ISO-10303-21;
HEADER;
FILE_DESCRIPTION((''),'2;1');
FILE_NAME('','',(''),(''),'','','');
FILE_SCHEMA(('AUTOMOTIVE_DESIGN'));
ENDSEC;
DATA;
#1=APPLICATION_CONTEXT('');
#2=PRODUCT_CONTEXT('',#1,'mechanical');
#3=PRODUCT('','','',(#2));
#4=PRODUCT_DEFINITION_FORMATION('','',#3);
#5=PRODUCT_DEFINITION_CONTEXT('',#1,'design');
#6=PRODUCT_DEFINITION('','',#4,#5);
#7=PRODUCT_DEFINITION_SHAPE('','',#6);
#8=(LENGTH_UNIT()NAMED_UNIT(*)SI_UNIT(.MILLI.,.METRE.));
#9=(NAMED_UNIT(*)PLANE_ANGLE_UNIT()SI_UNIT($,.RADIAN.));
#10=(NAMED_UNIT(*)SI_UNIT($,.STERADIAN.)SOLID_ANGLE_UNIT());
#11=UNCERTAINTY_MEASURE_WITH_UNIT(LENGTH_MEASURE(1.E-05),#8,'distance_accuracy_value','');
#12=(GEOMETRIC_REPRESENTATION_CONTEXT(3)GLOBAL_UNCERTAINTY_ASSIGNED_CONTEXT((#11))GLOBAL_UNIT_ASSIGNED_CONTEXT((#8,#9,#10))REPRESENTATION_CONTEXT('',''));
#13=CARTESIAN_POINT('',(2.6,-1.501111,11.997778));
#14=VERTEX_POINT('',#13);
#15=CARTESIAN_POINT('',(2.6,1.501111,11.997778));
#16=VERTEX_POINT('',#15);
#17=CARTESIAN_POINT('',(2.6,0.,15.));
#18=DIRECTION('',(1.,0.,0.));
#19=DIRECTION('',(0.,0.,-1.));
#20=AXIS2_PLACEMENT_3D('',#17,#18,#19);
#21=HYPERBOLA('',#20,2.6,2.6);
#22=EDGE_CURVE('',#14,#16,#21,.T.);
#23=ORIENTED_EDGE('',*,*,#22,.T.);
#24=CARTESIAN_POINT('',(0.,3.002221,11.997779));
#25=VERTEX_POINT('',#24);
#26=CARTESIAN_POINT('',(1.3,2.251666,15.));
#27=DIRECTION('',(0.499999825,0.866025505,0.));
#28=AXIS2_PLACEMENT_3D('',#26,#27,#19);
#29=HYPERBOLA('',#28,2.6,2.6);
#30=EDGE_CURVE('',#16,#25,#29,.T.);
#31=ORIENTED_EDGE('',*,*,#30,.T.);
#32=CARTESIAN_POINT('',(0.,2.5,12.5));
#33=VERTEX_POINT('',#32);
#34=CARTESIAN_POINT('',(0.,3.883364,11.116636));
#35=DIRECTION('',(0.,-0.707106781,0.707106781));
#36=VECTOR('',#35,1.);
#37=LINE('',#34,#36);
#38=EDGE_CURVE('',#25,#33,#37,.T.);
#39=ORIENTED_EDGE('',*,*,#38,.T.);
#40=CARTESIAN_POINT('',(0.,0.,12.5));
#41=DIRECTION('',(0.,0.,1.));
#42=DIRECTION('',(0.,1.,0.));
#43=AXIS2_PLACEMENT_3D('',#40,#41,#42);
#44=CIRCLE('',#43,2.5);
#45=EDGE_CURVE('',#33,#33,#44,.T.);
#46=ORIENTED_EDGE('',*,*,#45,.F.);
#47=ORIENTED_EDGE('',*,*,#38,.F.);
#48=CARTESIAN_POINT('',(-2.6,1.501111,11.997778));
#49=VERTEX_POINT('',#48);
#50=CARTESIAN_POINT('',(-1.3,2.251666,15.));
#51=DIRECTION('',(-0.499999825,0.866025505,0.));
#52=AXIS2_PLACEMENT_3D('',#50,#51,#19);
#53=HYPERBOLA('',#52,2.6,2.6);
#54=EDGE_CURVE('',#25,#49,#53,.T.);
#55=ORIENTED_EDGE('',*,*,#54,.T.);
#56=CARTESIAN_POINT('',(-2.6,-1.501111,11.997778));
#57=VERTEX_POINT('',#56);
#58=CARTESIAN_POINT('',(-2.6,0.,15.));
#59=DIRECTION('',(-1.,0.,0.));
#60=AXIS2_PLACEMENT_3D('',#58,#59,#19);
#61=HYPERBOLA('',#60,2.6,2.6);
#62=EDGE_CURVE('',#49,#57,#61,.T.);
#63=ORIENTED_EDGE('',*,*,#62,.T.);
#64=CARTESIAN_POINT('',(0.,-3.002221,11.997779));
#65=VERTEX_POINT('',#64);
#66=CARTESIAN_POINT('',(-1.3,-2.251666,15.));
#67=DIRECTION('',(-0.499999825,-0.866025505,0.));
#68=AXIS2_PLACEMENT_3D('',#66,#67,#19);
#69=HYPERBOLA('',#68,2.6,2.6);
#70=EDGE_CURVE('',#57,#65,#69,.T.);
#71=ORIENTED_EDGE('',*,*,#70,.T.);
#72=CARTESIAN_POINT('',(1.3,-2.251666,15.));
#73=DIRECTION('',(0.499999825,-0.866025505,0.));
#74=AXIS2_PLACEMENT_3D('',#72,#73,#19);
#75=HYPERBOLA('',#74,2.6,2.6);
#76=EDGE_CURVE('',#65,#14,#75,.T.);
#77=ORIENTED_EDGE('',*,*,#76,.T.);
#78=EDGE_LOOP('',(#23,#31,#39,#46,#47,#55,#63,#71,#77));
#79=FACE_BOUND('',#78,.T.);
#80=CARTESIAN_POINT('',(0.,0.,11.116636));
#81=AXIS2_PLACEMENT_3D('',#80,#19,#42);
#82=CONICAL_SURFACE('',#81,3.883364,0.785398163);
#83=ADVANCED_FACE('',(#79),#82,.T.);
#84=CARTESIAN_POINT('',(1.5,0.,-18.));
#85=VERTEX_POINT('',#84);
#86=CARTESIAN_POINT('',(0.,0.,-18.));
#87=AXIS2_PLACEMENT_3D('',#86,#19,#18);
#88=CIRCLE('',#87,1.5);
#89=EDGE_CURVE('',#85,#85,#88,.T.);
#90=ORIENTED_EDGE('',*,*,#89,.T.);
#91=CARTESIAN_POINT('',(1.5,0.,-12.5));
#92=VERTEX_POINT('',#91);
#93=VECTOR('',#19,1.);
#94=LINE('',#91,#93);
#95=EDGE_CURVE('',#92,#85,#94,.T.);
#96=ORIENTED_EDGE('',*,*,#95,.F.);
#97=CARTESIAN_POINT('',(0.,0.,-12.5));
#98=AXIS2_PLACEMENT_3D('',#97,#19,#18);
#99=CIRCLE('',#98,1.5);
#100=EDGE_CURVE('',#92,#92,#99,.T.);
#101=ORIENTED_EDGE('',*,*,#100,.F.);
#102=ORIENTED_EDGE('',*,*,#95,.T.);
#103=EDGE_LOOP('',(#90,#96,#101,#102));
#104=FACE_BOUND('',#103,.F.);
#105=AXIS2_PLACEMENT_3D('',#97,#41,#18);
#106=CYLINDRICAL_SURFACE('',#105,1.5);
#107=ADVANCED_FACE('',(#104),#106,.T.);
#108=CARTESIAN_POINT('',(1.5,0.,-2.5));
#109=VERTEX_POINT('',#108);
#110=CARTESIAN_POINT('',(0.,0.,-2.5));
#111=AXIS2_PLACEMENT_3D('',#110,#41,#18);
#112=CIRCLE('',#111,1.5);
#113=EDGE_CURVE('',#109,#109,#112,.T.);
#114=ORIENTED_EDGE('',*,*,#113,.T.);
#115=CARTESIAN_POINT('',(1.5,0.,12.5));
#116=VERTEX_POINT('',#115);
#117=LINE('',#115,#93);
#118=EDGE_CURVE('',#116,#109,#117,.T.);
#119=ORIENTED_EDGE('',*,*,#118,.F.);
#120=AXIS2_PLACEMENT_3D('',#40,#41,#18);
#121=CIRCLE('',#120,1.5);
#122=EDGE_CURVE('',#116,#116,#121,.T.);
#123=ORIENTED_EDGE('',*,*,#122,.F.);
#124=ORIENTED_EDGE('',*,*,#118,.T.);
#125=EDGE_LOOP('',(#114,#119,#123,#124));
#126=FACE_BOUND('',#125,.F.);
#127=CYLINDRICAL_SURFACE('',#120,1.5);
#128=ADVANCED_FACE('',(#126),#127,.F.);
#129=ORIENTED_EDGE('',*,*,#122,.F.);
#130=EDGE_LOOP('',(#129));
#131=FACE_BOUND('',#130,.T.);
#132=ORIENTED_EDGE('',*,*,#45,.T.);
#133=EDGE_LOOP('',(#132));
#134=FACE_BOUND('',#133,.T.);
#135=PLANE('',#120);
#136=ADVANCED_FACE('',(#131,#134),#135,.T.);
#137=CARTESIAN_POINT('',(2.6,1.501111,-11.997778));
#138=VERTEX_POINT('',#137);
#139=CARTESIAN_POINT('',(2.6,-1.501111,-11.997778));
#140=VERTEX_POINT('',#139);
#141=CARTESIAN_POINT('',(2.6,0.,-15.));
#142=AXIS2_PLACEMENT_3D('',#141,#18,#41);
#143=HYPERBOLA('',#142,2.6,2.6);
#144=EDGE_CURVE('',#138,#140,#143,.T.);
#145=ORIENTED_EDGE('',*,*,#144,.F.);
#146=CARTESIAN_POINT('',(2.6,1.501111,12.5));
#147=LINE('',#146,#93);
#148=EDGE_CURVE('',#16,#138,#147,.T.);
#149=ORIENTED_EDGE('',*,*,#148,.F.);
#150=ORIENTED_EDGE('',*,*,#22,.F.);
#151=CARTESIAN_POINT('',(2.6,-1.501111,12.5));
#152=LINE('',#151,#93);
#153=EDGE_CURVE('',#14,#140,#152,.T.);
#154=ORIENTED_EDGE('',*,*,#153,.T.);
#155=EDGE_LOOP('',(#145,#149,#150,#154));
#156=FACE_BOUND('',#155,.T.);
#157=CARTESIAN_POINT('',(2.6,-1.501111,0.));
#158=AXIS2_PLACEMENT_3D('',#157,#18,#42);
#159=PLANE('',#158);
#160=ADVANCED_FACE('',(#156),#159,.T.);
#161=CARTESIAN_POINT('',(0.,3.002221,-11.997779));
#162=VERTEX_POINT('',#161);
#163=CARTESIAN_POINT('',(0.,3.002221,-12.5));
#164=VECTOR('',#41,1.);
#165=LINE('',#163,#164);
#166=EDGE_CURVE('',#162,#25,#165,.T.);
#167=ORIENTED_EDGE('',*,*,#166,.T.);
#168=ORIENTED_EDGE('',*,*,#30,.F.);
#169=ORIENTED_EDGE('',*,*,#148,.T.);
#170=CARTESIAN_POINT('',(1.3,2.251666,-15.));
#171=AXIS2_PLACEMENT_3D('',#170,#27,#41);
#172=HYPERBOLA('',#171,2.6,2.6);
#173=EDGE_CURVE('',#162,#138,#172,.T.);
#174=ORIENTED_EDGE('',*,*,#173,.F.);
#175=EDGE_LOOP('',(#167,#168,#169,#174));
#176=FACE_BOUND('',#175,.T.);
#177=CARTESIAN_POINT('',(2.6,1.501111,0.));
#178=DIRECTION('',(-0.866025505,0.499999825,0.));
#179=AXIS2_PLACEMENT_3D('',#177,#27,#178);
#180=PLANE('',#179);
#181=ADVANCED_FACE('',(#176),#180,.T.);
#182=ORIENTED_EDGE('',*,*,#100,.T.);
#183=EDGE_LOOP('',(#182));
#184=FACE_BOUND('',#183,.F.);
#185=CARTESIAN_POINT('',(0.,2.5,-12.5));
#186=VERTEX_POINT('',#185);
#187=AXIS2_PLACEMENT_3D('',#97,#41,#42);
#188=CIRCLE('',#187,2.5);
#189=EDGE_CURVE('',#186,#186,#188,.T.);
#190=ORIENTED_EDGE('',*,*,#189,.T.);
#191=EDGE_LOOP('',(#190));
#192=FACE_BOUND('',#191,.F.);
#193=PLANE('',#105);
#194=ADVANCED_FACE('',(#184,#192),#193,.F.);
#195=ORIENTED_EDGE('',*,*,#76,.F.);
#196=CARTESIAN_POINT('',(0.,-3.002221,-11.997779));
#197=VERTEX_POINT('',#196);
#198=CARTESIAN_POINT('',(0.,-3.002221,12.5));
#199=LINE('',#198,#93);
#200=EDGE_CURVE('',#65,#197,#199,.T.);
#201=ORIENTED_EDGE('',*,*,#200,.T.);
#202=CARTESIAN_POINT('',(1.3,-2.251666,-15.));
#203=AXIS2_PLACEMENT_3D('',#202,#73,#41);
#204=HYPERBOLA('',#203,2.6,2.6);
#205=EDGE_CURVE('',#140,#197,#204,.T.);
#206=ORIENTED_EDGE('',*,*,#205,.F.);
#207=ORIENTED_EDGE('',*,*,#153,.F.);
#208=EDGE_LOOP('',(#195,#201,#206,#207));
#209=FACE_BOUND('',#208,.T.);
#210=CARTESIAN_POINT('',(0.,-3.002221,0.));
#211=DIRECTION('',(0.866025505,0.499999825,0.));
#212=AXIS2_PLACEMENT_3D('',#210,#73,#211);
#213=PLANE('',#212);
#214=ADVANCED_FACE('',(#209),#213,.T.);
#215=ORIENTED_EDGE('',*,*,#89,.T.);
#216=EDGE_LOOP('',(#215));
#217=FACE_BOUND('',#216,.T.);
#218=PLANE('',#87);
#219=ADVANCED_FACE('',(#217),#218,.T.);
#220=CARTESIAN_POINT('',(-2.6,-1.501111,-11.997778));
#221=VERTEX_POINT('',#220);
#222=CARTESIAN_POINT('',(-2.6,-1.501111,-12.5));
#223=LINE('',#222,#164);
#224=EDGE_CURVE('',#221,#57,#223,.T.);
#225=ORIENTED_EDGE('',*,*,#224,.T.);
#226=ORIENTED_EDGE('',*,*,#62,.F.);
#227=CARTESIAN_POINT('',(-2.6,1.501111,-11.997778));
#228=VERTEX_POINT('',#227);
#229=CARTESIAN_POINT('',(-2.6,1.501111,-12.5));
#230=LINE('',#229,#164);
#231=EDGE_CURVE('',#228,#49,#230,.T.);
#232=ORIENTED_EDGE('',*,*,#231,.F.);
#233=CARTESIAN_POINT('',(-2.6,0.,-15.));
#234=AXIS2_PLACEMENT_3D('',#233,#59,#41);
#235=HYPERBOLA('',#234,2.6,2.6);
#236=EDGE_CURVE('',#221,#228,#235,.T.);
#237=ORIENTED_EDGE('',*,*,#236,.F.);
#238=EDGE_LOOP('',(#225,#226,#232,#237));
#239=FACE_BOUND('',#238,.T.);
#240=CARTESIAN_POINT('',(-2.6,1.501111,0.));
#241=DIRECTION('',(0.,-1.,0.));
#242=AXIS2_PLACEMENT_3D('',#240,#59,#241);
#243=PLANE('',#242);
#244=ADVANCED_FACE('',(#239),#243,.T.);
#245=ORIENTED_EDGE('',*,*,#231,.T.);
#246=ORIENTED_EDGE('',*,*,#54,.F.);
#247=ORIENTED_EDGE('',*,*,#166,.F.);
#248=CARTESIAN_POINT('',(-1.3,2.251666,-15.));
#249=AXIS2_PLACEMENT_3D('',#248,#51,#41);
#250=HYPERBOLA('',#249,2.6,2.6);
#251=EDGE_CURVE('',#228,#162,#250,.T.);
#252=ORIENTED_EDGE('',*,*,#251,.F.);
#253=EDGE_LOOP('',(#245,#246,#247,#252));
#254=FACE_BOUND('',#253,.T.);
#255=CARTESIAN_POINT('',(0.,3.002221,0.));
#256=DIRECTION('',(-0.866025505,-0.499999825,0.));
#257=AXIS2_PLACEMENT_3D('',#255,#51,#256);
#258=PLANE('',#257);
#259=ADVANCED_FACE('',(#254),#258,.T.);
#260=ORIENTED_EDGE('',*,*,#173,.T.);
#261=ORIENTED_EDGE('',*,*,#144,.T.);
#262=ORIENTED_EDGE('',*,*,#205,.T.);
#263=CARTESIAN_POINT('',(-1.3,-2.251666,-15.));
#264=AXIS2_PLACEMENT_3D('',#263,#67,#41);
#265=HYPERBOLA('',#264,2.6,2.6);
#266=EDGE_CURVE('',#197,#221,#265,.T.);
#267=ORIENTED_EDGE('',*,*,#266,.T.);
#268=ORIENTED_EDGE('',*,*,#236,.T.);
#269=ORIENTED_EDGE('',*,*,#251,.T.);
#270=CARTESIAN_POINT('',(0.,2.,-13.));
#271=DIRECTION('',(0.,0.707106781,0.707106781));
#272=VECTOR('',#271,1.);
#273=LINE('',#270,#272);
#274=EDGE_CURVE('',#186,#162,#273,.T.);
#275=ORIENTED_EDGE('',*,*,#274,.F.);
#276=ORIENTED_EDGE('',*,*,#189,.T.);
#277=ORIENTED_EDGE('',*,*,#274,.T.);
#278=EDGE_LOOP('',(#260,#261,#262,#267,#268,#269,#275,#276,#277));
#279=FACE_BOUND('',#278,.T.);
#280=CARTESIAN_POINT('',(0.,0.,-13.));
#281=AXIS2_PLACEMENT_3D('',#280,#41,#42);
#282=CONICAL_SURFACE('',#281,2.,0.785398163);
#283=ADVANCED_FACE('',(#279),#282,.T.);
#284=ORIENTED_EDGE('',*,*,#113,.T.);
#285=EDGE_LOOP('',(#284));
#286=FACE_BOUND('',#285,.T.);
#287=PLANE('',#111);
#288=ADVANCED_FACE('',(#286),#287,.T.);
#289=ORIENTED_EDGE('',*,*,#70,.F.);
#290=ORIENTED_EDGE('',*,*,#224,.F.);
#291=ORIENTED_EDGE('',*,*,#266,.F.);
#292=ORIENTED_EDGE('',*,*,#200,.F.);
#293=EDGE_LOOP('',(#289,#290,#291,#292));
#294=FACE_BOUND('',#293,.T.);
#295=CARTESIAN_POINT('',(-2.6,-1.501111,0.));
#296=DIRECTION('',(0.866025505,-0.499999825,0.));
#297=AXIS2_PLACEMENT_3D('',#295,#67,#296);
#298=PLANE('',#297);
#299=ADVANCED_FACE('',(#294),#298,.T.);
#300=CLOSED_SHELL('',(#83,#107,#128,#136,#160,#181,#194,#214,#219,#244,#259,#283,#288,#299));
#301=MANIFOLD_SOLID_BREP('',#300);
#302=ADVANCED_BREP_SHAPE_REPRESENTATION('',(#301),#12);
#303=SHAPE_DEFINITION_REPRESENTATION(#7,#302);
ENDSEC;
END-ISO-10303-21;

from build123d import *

# Parameters (mm, degrees)
PAD_DEPTH    = 12.5
SKETCH001_R  = 1.5
POCKET_DEPTH = 15
SKETCH002_R  = 1.5
PAD001_DEPTH = 5.5


with BuildPart() as body001:
    # Sketch003 → Revolution (revolve)
    with BuildSketch(Plane.YZ):
        Polygon((2, 13), (5, 13), (5, -13), (2, -13), (3.883364, -11.116636), (3.883364, 11.116636), align=None)
    revolve(axis=Axis((0, 0, 0), (0, 0, 1)))


with BuildPart() as cut:
    # Sketch → Pad (new body, symmetric)
    with BuildSketch(Plane.XY):
        Polygon((2.6, 1.501111), (0, 3.002221), (-2.6, 1.501111), (-2.6, -1.501111), (0, -3.002221), (2.6, -1.501111), align=None)
    extrude(amount=PAD_DEPTH, both=True)

    # Sketch001 (on Face8 of Pad) → Pocket (cut)
    with BuildSketch(Plane.XY.offset(12.5)):
        Circle(SKETCH001_R)
    extrude(amount=-POCKET_DEPTH, mode=Mode.SUBTRACT)

    # Sketch002 (on Face4 of Pocket) → Pad001 (join)
    with BuildSketch(Plane(origin=(0, 0, -12.5), x_dir=(1, 0, 0), z_dir=(0, 0, -1))):
        Circle(SKETCH002_R)
    extrude(amount=PAD001_DEPTH)

    # Cut: cut Body001
    add(body001.part, mode=Mode.SUBTRACT)


solid = cut.part
